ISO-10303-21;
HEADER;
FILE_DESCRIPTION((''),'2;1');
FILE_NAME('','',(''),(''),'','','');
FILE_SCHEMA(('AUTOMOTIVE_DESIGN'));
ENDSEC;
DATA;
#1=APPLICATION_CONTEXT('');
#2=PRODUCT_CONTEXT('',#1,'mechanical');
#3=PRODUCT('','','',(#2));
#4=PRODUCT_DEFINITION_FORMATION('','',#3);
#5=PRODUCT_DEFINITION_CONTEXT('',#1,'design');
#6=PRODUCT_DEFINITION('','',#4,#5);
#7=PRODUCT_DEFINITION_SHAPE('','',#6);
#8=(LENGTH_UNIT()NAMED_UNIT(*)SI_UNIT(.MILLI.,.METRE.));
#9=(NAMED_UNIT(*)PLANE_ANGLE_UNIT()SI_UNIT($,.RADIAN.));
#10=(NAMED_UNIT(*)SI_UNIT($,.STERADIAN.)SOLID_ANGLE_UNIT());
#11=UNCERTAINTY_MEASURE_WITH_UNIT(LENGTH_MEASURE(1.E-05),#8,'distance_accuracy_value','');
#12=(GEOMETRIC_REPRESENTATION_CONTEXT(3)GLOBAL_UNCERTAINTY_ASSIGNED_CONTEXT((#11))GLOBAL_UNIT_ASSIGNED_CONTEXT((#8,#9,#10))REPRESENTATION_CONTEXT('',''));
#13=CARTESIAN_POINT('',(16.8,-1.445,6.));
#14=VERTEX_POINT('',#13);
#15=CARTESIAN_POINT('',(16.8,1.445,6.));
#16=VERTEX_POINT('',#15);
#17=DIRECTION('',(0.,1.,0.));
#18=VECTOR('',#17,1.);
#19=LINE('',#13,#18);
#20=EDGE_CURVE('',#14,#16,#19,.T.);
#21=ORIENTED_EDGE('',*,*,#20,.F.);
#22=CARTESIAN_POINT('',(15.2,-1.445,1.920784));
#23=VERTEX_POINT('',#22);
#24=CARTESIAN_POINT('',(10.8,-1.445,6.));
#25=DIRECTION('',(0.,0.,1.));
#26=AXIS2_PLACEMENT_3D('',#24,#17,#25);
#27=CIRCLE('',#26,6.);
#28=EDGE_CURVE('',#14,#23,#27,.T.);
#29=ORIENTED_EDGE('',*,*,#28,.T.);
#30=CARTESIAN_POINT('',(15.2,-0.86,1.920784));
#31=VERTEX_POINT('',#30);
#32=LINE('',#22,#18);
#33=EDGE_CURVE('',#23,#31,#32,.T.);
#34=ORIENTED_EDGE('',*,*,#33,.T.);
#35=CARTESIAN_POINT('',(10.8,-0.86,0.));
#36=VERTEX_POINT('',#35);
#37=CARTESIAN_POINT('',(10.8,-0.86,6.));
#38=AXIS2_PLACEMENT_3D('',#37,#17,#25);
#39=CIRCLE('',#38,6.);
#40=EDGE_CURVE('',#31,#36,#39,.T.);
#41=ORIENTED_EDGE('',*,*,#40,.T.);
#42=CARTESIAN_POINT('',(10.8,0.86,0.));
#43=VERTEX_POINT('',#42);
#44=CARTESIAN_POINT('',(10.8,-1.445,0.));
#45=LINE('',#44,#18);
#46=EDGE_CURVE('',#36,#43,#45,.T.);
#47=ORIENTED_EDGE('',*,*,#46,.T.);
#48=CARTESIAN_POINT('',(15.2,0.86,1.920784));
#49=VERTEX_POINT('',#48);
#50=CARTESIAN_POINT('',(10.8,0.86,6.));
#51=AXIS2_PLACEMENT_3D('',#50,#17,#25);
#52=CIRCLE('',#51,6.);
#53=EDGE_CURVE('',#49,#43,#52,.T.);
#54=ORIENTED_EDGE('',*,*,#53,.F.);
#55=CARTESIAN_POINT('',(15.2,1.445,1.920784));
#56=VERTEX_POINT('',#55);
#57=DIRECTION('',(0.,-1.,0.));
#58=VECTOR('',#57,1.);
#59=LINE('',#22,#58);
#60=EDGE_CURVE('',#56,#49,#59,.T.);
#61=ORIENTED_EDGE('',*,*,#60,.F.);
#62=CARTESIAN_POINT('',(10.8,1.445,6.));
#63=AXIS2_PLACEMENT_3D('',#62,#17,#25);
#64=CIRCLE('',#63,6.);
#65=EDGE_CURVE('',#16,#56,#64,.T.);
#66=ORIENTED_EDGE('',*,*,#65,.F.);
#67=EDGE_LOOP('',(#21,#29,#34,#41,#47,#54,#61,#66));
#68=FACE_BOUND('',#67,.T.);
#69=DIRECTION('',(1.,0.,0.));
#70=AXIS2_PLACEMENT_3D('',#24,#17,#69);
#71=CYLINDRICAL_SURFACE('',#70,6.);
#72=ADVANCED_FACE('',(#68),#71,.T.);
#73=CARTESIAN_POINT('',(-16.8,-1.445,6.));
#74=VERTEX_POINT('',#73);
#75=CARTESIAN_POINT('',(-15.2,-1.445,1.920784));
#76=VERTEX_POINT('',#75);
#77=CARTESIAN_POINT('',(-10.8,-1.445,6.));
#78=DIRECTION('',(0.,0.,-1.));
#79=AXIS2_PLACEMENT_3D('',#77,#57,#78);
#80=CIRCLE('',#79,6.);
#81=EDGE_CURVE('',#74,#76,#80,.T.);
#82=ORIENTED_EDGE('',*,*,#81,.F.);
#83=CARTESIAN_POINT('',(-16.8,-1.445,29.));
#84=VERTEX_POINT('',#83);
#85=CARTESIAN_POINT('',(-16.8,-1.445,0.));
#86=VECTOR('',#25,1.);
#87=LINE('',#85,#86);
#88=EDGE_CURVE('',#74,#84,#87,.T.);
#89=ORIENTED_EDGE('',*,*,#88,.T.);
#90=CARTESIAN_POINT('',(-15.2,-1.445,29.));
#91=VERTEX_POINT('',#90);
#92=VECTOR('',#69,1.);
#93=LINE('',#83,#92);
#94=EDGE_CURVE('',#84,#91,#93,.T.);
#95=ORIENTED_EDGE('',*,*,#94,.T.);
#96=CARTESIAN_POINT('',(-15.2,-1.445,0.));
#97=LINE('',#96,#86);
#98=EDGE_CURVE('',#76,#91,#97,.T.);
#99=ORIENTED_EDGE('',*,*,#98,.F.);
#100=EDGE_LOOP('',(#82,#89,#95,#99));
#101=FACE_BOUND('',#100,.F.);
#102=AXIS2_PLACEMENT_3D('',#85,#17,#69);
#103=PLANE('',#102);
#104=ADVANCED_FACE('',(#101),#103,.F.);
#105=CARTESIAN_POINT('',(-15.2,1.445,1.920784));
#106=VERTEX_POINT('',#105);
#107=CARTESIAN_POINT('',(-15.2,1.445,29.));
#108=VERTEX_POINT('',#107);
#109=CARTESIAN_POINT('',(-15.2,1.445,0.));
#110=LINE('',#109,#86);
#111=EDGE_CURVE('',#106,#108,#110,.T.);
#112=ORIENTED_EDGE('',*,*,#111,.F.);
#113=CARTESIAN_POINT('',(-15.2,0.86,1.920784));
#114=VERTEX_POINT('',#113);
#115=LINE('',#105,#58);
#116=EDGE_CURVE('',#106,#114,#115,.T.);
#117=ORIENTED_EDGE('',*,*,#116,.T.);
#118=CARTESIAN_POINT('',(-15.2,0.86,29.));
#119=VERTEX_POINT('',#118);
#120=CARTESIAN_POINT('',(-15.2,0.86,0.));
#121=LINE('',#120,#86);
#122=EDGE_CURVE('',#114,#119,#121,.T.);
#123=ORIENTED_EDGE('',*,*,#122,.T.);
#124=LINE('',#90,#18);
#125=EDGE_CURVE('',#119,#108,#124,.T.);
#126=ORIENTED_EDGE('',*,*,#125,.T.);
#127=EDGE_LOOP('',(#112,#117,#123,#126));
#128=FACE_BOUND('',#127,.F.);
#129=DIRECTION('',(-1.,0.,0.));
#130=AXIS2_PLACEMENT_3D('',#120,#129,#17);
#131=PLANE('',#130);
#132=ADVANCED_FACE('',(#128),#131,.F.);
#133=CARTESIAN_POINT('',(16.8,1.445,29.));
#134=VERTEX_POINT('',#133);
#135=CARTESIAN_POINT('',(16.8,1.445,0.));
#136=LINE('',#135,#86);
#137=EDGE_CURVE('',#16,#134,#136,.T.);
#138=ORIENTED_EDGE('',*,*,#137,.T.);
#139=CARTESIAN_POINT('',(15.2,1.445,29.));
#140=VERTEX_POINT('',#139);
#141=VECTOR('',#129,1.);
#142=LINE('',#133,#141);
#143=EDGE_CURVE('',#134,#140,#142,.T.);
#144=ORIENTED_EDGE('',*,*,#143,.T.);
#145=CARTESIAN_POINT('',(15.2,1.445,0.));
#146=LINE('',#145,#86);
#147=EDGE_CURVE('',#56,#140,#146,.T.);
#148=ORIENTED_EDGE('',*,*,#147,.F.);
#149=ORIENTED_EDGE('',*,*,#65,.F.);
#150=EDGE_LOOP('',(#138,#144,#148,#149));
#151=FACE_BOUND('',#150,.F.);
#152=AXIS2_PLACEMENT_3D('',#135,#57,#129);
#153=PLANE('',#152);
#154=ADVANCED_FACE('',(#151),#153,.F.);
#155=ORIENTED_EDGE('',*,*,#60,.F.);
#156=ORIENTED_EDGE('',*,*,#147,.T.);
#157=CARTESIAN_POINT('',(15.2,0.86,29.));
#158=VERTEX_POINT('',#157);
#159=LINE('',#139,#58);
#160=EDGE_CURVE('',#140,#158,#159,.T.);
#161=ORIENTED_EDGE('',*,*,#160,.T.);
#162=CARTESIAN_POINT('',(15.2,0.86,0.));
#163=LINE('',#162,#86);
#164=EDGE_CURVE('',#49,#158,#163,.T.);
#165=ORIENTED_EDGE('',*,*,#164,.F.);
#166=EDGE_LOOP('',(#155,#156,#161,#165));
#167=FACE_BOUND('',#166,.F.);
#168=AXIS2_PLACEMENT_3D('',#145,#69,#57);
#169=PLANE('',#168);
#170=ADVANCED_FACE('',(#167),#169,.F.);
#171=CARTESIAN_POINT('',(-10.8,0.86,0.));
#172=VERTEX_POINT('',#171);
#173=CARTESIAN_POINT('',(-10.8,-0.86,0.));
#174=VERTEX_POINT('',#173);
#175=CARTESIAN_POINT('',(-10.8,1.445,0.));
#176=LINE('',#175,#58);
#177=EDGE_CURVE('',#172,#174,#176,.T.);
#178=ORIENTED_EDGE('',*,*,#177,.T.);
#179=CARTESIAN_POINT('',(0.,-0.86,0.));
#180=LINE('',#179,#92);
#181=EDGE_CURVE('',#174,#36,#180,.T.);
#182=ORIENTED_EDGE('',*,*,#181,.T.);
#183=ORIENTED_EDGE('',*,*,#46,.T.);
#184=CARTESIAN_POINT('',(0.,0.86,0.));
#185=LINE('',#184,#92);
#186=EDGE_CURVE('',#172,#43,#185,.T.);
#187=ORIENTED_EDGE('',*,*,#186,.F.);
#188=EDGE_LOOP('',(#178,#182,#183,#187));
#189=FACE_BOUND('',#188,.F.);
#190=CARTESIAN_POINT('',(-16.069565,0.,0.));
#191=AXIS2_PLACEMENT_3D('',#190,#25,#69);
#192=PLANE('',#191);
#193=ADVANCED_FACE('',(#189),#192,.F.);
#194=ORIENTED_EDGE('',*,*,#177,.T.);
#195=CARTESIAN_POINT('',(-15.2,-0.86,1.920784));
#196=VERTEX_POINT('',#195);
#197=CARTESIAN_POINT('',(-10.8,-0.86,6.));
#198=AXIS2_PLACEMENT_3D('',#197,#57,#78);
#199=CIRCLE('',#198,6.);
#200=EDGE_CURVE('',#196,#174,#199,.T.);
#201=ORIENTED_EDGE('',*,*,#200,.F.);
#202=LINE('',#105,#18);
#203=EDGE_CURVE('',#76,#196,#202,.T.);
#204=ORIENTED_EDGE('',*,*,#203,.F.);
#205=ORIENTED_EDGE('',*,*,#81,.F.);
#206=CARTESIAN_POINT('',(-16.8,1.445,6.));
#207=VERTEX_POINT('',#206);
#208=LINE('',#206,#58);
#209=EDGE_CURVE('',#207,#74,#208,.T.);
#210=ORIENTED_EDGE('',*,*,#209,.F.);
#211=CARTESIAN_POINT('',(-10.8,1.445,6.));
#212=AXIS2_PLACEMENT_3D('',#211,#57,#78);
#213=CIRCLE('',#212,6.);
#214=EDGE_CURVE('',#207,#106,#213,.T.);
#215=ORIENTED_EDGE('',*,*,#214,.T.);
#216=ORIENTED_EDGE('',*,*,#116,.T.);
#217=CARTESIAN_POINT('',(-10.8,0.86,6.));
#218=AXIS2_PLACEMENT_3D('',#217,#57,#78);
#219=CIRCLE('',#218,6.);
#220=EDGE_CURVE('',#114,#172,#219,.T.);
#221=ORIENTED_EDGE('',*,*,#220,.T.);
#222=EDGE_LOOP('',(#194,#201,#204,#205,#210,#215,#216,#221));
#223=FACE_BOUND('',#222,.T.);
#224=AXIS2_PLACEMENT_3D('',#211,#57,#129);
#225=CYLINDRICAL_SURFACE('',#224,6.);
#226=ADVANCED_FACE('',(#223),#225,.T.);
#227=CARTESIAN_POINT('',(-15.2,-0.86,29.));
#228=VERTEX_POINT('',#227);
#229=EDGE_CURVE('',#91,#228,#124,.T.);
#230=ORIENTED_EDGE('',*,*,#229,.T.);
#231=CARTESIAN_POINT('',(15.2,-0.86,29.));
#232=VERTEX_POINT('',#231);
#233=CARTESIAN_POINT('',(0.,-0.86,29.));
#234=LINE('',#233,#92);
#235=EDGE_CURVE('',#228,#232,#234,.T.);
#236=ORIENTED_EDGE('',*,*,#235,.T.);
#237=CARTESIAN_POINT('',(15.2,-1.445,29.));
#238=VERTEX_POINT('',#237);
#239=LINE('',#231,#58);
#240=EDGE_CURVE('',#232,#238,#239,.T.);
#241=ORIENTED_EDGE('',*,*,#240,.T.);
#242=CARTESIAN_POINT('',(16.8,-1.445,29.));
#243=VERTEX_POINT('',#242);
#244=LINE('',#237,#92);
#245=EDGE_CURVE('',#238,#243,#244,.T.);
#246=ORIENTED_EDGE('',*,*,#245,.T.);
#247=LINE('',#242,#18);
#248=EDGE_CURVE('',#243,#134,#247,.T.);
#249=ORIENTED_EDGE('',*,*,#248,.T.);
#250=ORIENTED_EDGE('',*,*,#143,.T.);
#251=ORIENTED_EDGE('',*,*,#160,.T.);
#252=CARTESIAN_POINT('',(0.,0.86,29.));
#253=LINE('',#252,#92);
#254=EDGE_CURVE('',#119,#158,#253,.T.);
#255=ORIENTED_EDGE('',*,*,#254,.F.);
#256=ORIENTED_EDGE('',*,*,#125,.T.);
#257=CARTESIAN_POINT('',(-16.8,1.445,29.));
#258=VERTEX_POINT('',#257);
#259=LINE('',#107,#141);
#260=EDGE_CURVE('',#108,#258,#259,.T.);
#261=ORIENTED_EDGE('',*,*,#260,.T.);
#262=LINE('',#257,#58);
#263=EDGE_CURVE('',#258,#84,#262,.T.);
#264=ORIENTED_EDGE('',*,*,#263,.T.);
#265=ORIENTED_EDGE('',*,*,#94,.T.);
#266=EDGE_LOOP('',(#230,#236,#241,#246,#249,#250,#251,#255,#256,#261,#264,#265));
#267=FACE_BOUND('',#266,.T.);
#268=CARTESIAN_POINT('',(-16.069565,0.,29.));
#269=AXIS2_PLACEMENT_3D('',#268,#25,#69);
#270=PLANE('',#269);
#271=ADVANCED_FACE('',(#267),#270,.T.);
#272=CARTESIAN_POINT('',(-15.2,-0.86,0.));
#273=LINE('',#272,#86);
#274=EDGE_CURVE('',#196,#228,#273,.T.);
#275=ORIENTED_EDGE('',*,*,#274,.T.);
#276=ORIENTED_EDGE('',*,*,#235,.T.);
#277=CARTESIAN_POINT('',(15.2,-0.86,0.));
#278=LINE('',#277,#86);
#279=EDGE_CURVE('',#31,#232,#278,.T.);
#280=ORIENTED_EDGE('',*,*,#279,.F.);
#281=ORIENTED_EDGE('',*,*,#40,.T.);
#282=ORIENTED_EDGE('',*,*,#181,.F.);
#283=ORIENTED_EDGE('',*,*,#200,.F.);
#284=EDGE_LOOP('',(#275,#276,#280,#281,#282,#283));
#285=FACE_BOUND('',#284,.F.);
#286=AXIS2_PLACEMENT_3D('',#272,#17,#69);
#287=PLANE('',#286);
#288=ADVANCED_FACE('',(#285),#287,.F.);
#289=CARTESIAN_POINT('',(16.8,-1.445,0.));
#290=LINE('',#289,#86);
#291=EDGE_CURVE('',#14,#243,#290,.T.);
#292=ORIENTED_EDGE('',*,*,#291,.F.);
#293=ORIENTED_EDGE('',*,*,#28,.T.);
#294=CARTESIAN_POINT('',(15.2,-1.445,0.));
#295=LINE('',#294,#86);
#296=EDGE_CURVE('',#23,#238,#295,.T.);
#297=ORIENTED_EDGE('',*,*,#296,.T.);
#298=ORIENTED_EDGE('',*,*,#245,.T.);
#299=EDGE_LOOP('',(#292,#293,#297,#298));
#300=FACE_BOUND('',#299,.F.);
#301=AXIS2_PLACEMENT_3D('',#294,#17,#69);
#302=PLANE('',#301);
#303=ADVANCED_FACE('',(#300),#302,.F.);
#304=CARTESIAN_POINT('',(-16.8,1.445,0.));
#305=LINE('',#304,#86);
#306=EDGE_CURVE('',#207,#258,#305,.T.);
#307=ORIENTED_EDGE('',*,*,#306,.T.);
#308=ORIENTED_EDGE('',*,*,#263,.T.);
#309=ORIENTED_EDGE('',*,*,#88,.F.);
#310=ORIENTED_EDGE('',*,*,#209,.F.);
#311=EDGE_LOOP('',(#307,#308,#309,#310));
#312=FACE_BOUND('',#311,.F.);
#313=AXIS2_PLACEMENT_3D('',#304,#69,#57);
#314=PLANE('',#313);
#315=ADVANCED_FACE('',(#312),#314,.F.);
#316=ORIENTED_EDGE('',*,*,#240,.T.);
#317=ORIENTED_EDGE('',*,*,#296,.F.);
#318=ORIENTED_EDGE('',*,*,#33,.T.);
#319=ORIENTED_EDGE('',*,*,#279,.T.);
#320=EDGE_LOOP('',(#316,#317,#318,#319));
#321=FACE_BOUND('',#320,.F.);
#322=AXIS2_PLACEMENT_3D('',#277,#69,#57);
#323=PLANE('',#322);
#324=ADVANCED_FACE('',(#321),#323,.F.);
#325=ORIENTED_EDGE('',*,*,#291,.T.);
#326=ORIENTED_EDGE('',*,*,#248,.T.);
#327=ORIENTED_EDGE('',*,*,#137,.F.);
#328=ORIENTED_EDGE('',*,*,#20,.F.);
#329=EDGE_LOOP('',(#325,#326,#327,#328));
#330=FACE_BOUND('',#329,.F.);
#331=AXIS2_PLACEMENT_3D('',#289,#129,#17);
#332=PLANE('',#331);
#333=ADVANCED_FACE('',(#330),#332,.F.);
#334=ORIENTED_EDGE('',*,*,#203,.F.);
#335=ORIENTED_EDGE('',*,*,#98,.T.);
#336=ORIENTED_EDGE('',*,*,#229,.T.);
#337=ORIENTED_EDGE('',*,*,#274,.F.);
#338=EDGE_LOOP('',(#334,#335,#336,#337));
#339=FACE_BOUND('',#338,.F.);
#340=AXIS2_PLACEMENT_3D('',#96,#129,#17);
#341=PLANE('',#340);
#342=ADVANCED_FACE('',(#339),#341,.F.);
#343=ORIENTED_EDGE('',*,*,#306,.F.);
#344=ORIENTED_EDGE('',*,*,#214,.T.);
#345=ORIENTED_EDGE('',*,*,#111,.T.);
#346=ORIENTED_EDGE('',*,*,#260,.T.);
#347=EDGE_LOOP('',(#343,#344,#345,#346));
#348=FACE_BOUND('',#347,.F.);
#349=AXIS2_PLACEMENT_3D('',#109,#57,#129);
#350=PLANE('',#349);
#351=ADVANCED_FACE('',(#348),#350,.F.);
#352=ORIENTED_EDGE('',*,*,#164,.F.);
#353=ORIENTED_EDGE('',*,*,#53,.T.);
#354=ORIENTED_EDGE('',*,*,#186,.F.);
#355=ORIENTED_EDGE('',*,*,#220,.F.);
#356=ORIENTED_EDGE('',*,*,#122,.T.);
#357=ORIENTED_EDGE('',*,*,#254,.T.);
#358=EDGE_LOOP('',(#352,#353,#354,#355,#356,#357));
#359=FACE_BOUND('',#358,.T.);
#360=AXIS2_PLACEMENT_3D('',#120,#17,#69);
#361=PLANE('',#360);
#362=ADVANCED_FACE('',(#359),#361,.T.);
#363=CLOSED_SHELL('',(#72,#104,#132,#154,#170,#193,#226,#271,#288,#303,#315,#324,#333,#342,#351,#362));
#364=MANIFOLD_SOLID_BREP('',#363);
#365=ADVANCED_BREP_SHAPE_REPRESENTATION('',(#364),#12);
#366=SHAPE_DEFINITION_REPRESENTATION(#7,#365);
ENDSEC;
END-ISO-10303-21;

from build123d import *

# Parameters (mm, degrees)
F0_W     = 0.8
F0_H     = 1.72
F0_W_2   = 30.4
F1_DEPTH = 29
F2_R     = 6


with BuildPart() as f1:
    # F0 (on Top) → F1 (new body)
    with BuildSketch(Plane.XY):
        Polygon((-16, -0.86), (-16, 0.86), (-15.2, 0.86), (-15.2, 1.445), (-16.8, 1.445), (-16.8, -1.445), (-15.2, -1.445), (-15.2, -0.86), align=None)
        with Locations((-15.6, 0)):
            Rectangle(F0_W, F0_H)
        Rectangle(F0_W_2, F0_H)
        Polygon((15.2, 1.445), (15.2, 0.86), (16, 0.86), (16, -0.86), (15.2, -0.86), (15.2, -1.445), (16.8, -1.445), (16.8, 1.445), align=None)
        with Locations((15.6, 0)):
            Rectangle(F0_W, F0_H)
    extrude(amount=F1_DEPTH)

    # F2
    f2_edges = [f1.edges().sort_by_distance(p)[0] for p in [
        (-16.8, 0, 0),
        (16.8, 0, 0),
    ]]
    fillet(f2_edges, radius=F2_R)


solid = f1.part
